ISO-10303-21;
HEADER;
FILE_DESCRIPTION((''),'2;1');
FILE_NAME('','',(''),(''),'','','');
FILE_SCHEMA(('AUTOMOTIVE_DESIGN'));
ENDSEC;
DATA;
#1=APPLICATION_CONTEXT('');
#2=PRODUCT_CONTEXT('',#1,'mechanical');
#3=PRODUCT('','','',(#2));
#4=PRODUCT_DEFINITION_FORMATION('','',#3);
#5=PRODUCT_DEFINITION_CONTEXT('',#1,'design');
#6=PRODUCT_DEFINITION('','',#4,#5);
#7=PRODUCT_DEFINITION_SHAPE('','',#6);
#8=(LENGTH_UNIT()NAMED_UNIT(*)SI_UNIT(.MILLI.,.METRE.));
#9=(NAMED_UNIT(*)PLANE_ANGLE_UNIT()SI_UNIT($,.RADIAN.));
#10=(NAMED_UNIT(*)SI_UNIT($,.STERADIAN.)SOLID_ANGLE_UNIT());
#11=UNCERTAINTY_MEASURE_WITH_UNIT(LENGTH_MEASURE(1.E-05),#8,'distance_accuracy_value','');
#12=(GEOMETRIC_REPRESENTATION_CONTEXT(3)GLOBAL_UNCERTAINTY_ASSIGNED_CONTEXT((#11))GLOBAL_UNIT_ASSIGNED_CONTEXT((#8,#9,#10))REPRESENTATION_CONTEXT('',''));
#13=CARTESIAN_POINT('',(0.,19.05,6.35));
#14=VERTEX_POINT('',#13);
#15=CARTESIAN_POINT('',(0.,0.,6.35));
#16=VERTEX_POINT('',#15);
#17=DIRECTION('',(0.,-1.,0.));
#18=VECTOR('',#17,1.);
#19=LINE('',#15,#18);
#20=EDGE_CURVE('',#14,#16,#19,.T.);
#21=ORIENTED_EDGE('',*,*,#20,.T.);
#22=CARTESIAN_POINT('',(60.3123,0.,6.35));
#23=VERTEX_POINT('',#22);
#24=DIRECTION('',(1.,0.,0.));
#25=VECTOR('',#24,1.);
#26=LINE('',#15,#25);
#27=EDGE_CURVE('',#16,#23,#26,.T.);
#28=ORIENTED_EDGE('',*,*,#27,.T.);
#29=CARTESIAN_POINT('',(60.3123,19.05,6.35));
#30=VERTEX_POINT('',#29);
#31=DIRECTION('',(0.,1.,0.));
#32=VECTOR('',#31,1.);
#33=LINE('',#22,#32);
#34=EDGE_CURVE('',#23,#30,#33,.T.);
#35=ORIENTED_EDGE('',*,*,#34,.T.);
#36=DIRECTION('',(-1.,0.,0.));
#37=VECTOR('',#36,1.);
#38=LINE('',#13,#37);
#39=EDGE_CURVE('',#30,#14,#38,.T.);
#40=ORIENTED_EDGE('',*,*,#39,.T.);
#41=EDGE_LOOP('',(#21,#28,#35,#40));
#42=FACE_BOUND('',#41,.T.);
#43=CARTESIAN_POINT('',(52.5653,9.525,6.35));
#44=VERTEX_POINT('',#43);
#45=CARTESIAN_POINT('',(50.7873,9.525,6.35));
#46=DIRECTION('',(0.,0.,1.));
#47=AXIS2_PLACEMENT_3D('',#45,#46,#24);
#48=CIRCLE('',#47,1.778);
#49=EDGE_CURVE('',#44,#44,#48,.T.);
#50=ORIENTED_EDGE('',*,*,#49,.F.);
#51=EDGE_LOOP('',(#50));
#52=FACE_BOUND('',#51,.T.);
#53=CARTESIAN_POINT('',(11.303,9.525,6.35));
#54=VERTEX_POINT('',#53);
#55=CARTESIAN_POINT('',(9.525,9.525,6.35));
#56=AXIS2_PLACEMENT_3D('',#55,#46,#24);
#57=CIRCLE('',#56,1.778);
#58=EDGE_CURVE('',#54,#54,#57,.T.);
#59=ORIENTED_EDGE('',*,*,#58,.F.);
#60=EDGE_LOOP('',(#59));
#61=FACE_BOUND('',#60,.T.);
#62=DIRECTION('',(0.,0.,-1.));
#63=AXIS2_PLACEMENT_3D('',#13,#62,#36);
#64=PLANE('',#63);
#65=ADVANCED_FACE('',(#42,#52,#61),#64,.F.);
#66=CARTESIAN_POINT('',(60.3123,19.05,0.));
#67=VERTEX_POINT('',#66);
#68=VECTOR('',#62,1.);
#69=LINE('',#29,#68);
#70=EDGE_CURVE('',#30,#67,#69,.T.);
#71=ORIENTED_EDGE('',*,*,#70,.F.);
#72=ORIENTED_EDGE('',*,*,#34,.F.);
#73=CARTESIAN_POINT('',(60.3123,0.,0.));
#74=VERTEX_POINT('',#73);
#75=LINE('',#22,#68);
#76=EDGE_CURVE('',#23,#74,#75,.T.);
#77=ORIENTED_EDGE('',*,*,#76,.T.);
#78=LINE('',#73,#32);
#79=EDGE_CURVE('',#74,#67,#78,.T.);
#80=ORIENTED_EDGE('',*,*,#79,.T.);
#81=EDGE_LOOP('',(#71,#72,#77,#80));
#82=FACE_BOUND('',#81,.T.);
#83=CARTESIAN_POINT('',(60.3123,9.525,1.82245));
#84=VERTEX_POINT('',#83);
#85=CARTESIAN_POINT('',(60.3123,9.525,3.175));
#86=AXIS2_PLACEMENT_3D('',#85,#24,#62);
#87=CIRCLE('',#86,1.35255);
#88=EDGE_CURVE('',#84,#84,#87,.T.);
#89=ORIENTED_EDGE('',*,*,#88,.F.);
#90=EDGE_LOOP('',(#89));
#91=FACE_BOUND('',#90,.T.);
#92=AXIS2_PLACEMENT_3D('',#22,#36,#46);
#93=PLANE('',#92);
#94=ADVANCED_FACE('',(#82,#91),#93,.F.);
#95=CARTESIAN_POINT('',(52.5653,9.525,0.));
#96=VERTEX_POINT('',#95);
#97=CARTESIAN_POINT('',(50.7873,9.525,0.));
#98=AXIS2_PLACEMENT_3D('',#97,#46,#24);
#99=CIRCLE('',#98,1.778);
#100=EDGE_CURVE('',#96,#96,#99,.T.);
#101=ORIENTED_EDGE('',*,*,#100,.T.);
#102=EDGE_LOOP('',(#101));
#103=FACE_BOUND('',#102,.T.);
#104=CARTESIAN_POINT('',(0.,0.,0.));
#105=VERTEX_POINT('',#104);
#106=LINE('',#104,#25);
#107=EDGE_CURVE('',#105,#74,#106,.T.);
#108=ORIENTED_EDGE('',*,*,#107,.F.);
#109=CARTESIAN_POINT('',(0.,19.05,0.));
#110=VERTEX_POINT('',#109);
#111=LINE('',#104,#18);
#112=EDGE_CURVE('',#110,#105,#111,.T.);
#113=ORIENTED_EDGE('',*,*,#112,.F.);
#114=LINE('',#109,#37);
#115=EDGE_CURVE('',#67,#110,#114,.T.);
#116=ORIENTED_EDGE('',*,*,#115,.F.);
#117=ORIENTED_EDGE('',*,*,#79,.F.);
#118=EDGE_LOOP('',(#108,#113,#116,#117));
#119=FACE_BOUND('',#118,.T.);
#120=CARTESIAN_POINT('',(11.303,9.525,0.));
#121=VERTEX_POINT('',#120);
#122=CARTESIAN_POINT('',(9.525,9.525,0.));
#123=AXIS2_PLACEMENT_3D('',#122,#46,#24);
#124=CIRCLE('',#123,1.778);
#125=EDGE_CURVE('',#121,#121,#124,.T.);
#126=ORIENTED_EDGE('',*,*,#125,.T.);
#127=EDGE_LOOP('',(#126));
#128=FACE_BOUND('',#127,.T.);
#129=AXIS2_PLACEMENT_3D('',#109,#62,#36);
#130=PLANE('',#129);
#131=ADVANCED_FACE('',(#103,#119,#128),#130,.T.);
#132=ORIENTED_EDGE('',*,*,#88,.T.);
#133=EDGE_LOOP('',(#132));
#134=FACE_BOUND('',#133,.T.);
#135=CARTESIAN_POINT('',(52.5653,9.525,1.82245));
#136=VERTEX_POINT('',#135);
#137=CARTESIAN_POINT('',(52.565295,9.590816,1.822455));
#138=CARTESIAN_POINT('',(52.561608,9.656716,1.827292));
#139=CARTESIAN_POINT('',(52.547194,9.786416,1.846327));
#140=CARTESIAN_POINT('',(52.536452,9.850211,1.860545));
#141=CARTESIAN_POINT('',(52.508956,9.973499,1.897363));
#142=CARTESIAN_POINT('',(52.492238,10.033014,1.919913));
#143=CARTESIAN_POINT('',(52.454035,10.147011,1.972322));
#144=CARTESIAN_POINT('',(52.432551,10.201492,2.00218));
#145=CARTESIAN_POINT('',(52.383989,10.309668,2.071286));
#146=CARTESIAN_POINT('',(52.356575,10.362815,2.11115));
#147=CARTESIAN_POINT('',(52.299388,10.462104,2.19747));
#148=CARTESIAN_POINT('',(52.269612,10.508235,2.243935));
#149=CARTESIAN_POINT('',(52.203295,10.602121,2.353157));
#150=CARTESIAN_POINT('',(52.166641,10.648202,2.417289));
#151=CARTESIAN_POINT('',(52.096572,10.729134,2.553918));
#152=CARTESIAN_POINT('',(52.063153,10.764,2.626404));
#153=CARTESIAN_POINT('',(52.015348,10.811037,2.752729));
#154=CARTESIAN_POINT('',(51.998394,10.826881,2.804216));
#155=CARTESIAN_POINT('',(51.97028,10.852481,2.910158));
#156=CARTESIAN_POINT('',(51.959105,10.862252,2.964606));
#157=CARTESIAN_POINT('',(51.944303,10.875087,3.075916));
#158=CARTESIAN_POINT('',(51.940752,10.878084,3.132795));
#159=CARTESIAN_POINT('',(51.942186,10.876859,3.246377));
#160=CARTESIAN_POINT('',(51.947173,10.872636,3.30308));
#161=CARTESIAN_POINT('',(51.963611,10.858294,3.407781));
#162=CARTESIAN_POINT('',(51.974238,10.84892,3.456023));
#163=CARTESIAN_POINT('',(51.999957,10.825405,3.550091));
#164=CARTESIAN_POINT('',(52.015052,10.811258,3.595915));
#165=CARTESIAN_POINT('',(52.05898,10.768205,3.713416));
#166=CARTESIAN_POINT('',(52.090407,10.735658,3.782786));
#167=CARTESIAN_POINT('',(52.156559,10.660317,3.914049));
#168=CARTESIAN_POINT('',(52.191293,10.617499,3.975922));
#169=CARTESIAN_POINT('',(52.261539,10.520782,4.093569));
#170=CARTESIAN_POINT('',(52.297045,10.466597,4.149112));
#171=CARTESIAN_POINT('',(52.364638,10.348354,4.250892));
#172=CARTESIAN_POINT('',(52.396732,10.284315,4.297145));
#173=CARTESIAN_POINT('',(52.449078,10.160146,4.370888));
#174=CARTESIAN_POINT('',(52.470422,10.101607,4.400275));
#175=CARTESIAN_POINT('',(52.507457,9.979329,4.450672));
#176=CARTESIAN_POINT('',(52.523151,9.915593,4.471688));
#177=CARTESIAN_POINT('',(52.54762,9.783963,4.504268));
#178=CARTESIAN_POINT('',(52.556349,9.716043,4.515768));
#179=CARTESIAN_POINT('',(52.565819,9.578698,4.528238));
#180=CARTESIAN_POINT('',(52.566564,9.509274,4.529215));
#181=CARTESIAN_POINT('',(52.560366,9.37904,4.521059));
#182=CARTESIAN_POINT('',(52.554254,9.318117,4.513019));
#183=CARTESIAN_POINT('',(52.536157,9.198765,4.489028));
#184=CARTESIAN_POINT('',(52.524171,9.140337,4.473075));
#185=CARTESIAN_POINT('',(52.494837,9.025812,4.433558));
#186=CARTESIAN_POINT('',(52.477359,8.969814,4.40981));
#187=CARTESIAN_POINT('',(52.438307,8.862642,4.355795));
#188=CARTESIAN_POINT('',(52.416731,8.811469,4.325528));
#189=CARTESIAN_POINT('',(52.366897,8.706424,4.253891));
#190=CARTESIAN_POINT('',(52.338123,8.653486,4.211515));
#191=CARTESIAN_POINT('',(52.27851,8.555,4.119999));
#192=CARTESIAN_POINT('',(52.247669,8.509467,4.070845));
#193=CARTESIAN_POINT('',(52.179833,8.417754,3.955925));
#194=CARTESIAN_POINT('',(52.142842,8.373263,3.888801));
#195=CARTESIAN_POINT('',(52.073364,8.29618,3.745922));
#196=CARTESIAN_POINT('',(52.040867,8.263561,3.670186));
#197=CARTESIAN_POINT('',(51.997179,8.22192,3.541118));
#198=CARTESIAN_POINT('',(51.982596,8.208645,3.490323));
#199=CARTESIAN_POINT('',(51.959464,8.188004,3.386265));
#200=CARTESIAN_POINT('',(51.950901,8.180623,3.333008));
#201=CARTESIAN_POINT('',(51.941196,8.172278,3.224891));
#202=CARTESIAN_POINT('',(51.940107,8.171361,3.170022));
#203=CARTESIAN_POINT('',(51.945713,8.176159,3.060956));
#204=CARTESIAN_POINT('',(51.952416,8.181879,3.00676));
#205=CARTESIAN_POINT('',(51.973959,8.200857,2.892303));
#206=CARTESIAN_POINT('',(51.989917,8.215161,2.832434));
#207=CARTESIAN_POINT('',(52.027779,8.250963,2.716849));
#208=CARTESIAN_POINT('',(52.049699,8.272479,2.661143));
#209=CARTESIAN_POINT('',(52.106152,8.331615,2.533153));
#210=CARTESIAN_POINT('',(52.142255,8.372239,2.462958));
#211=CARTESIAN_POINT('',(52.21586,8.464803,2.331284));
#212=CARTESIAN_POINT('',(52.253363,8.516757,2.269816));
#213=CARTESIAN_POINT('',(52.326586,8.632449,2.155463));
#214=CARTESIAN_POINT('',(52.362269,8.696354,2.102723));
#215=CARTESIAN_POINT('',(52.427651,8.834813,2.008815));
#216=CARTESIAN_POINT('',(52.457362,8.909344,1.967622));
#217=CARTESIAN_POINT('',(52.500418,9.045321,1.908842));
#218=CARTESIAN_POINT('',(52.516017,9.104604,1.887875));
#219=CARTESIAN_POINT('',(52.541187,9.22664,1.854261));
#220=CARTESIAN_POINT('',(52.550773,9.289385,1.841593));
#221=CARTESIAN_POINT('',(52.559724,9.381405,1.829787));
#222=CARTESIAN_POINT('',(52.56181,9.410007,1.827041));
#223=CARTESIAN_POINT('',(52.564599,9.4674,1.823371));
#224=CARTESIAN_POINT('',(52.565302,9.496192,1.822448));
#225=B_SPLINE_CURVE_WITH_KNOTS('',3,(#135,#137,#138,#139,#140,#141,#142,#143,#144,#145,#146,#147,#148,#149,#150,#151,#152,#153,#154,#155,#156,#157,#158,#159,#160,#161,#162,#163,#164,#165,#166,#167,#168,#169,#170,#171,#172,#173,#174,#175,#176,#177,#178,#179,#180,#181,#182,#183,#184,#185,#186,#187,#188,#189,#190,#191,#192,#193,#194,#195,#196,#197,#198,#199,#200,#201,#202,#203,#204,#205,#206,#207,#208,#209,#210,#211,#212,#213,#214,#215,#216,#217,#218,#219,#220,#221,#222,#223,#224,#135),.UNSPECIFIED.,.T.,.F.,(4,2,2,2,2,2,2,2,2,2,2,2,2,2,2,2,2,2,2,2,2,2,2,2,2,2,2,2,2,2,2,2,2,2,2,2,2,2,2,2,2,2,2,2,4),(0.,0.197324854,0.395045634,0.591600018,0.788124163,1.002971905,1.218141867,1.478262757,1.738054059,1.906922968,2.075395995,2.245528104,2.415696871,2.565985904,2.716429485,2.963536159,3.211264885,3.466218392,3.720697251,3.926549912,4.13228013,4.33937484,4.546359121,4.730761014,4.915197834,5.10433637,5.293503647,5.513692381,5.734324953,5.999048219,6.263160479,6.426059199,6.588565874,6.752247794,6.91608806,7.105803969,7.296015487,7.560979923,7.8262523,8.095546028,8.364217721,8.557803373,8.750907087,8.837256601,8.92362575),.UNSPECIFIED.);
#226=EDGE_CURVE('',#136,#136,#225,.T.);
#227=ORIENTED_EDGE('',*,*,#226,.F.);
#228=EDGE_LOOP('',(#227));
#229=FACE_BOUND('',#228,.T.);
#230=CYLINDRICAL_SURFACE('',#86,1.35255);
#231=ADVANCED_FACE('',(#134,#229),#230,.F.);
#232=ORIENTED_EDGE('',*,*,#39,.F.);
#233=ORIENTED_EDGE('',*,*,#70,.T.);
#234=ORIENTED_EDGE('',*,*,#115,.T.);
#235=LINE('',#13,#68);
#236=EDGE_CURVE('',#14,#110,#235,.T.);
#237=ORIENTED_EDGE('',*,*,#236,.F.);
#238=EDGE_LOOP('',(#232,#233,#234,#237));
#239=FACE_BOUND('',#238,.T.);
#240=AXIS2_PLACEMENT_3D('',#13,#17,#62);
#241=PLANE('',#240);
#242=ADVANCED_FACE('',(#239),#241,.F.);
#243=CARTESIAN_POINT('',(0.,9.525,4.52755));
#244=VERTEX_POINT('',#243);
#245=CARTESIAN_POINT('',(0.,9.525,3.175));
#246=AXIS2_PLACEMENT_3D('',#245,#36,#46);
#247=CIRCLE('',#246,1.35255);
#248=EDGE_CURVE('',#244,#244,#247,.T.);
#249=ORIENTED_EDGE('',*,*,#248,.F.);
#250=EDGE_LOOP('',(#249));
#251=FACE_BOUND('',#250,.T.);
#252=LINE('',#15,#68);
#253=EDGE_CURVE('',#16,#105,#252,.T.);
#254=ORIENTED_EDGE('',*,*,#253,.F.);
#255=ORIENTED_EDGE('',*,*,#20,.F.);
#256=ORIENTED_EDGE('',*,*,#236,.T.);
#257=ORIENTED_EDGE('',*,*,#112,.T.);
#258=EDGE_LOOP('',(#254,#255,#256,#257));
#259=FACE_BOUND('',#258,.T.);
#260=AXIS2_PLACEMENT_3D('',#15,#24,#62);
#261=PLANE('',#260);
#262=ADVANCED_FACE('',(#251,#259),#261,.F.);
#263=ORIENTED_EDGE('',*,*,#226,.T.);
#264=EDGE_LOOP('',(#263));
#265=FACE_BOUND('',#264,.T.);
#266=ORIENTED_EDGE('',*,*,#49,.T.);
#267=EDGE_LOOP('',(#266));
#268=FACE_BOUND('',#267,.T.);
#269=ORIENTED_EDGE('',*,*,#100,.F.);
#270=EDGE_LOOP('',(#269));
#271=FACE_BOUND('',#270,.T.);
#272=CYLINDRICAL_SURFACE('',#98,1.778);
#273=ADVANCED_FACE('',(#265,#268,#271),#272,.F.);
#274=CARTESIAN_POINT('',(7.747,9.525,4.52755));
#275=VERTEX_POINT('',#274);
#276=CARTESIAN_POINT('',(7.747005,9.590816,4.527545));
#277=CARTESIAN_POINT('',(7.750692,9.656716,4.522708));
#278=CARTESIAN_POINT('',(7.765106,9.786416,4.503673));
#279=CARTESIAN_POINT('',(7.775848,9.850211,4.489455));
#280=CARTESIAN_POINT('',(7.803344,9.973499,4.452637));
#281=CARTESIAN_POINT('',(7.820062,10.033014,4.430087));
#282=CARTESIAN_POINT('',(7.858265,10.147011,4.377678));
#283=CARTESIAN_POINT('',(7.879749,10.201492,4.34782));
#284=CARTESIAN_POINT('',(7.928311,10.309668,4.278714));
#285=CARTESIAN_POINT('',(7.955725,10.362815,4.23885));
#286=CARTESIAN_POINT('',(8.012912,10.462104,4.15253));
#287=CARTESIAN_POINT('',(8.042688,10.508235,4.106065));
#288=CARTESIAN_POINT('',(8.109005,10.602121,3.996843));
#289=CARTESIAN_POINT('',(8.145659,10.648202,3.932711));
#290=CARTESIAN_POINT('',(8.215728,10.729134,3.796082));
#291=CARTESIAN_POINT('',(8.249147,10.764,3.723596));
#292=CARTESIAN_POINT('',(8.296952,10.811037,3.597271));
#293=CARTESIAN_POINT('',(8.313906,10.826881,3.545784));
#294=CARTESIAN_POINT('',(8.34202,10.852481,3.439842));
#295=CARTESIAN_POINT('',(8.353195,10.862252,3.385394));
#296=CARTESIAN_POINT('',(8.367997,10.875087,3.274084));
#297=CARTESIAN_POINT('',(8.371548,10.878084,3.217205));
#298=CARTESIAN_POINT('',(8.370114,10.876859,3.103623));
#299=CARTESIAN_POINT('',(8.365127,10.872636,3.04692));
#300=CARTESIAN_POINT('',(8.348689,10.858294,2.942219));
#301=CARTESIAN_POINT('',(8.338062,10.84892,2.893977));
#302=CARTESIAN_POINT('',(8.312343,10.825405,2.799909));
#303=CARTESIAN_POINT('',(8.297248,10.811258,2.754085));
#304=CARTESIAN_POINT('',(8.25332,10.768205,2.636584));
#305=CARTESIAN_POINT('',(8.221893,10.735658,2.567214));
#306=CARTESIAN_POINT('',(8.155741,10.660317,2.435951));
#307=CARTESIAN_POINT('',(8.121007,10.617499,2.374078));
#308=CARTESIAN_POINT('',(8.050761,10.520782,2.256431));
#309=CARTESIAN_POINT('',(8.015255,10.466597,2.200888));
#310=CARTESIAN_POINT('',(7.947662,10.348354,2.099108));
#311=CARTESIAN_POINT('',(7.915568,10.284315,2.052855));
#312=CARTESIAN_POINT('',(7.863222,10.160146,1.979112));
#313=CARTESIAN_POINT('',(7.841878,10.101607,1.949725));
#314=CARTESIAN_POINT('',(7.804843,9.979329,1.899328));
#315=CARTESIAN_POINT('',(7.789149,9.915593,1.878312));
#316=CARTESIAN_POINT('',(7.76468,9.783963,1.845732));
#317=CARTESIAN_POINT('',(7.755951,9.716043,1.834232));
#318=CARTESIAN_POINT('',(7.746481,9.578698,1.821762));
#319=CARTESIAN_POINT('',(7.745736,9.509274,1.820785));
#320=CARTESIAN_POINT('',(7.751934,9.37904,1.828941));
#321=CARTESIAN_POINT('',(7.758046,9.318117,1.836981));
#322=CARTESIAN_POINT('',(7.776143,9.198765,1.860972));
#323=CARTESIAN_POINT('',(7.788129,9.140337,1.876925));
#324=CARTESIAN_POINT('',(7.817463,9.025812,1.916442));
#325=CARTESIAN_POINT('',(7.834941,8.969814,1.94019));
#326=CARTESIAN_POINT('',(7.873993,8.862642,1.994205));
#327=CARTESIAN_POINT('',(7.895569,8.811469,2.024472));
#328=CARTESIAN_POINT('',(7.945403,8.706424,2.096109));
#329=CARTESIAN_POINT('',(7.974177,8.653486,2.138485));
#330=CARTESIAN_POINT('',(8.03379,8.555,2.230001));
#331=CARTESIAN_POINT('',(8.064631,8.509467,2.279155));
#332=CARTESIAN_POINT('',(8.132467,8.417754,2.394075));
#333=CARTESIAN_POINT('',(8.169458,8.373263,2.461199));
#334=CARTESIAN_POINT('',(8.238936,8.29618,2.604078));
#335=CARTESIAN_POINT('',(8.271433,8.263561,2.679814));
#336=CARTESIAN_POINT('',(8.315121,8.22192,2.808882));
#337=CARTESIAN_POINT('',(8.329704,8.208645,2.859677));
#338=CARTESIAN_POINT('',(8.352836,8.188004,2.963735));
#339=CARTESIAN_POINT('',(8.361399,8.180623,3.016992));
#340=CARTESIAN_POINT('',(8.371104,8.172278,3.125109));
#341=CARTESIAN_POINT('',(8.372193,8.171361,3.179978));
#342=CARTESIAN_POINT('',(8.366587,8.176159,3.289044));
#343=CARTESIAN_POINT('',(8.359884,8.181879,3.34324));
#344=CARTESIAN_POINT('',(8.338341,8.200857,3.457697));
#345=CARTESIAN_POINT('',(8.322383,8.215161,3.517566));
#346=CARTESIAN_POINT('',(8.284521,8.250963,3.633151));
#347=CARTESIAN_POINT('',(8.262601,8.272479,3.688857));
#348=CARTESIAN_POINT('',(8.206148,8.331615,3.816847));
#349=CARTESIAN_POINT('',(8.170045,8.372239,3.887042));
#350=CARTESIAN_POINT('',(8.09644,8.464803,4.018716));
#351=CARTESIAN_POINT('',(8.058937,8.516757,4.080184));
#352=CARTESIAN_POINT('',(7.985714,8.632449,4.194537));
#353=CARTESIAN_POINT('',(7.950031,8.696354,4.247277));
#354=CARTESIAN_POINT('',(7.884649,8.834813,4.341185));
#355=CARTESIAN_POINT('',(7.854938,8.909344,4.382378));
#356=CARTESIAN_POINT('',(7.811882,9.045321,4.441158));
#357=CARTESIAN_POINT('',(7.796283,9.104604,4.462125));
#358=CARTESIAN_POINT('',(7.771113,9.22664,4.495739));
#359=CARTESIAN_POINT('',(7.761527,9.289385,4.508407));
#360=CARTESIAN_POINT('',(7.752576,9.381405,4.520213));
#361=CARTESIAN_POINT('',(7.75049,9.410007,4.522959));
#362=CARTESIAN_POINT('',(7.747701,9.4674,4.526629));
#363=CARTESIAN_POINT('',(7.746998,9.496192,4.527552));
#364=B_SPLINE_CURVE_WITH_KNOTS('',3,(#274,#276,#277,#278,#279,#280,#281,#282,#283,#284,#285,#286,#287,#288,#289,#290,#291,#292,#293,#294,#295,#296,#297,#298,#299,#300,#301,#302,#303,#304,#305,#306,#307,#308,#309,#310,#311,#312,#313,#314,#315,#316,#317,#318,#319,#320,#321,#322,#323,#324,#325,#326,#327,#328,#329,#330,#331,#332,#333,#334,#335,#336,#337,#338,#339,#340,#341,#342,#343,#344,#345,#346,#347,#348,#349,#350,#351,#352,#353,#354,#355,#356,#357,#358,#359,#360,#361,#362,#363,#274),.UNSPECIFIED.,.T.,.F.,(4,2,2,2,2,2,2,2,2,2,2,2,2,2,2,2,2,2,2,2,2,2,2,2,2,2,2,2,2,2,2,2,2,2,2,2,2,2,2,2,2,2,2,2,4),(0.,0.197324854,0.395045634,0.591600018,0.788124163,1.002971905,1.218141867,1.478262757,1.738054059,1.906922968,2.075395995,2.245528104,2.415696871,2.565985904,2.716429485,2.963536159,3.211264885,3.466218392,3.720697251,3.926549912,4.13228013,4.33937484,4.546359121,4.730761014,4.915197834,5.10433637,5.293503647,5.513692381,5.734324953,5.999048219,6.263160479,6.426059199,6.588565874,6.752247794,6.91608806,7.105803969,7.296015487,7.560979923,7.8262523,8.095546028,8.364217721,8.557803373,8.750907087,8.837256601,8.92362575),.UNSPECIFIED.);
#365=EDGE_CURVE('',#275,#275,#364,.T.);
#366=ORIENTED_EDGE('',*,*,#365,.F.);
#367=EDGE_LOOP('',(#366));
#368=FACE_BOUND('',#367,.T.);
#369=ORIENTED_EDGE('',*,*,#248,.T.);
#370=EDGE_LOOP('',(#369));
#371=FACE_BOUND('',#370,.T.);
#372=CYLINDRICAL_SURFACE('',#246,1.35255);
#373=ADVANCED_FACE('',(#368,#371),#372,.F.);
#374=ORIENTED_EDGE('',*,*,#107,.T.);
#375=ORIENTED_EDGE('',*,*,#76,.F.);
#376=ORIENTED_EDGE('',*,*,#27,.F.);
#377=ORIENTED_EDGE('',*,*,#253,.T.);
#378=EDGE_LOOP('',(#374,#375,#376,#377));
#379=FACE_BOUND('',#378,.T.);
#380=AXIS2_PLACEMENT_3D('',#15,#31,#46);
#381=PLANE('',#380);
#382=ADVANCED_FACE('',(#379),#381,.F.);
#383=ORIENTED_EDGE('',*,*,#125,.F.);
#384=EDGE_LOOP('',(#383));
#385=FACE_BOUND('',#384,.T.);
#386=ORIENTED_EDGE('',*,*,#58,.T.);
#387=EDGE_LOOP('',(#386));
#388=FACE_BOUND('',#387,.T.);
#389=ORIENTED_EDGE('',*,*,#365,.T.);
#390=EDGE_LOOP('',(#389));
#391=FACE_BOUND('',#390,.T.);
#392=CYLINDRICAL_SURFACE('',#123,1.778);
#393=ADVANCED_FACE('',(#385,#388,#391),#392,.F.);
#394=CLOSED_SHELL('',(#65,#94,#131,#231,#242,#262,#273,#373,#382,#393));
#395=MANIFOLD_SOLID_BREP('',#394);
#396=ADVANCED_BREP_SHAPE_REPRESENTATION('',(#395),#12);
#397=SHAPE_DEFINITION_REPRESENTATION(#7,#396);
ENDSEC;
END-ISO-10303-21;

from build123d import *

# Parameters (mm, degrees)
SKETCH1_W                 = 60.3123
SKETCH1_H                 = 19.05
EXTRUDE1_DEPTH            = 6.35
SKETCH2_R                 = 1.778
CUT_EXTRUDE1_DEPTH        = 7.35
F_6_32_TAPPED_HOLE1_D     = 2.7051
F_6_32_TAPPED_HOLE1_DEPTH = 9.525
F_6_32_TAPPED_HOLE1_TIP   = 0.81269403
F_6_32_TAPPED_HOLE2_D     = 2.7051
F_6_32_TAPPED_HOLE2_DEPTH = 9.525
F_6_32_TAPPED_HOLE2_TIP   = 0.81269403


with BuildPart() as part:
    # Sketch1 → Extrude1 (new body)
    with BuildSketch(Plane.XY):
        with Locations((30.15615, 9.525)):
            Rectangle(SKETCH1_W, SKETCH1_H)
    extrude(amount=EXTRUDE1_DEPTH)

    # Sketch2 → Cut-Extrude1 (cut, through all)
    with BuildSketch(Plane.XY.offset(6.35)):
        with Locations((9.525, 9.525)):
            Circle(SKETCH2_R)
        with Locations((50.7873, 9.525)):
            Circle(SKETCH2_R)
    extrude(amount=-CUT_EXTRUDE1_DEPTH, mode=Mode.SUBTRACT)

    # #6-32 Tapped Hole1
    with Locations(Plane.ZY):
        with Locations((3.175, 9.525)):
            Hole(F_6_32_TAPPED_HOLE1_D / 2, depth=F_6_32_TAPPED_HOLE1_DEPTH)
            with Locations((0, 0, -(F_6_32_TAPPED_HOLE1_DEPTH + F_6_32_TAPPED_HOLE1_TIP / 2))):  # 118° drill point
                Cone(0, F_6_32_TAPPED_HOLE1_D / 2, F_6_32_TAPPED_HOLE1_TIP, mode=Mode.SUBTRACT)

    # #6-32 Tapped Hole2
    with Locations(Plane(origin=(60.3123, 0, 0), x_dir=(0, 0, -1), z_dir=(1, 0, 0))):
        with Locations((-3.175, 9.525)):
            Hole(F_6_32_TAPPED_HOLE2_D / 2, depth=F_6_32_TAPPED_HOLE2_DEPTH)
            with Locations((0, 0, -(F_6_32_TAPPED_HOLE2_DEPTH + F_6_32_TAPPED_HOLE2_TIP / 2))):  # 118° drill point
                Cone(0, F_6_32_TAPPED_HOLE2_D / 2, F_6_32_TAPPED_HOLE2_TIP, mode=Mode.SUBTRACT)


solid = part.part
